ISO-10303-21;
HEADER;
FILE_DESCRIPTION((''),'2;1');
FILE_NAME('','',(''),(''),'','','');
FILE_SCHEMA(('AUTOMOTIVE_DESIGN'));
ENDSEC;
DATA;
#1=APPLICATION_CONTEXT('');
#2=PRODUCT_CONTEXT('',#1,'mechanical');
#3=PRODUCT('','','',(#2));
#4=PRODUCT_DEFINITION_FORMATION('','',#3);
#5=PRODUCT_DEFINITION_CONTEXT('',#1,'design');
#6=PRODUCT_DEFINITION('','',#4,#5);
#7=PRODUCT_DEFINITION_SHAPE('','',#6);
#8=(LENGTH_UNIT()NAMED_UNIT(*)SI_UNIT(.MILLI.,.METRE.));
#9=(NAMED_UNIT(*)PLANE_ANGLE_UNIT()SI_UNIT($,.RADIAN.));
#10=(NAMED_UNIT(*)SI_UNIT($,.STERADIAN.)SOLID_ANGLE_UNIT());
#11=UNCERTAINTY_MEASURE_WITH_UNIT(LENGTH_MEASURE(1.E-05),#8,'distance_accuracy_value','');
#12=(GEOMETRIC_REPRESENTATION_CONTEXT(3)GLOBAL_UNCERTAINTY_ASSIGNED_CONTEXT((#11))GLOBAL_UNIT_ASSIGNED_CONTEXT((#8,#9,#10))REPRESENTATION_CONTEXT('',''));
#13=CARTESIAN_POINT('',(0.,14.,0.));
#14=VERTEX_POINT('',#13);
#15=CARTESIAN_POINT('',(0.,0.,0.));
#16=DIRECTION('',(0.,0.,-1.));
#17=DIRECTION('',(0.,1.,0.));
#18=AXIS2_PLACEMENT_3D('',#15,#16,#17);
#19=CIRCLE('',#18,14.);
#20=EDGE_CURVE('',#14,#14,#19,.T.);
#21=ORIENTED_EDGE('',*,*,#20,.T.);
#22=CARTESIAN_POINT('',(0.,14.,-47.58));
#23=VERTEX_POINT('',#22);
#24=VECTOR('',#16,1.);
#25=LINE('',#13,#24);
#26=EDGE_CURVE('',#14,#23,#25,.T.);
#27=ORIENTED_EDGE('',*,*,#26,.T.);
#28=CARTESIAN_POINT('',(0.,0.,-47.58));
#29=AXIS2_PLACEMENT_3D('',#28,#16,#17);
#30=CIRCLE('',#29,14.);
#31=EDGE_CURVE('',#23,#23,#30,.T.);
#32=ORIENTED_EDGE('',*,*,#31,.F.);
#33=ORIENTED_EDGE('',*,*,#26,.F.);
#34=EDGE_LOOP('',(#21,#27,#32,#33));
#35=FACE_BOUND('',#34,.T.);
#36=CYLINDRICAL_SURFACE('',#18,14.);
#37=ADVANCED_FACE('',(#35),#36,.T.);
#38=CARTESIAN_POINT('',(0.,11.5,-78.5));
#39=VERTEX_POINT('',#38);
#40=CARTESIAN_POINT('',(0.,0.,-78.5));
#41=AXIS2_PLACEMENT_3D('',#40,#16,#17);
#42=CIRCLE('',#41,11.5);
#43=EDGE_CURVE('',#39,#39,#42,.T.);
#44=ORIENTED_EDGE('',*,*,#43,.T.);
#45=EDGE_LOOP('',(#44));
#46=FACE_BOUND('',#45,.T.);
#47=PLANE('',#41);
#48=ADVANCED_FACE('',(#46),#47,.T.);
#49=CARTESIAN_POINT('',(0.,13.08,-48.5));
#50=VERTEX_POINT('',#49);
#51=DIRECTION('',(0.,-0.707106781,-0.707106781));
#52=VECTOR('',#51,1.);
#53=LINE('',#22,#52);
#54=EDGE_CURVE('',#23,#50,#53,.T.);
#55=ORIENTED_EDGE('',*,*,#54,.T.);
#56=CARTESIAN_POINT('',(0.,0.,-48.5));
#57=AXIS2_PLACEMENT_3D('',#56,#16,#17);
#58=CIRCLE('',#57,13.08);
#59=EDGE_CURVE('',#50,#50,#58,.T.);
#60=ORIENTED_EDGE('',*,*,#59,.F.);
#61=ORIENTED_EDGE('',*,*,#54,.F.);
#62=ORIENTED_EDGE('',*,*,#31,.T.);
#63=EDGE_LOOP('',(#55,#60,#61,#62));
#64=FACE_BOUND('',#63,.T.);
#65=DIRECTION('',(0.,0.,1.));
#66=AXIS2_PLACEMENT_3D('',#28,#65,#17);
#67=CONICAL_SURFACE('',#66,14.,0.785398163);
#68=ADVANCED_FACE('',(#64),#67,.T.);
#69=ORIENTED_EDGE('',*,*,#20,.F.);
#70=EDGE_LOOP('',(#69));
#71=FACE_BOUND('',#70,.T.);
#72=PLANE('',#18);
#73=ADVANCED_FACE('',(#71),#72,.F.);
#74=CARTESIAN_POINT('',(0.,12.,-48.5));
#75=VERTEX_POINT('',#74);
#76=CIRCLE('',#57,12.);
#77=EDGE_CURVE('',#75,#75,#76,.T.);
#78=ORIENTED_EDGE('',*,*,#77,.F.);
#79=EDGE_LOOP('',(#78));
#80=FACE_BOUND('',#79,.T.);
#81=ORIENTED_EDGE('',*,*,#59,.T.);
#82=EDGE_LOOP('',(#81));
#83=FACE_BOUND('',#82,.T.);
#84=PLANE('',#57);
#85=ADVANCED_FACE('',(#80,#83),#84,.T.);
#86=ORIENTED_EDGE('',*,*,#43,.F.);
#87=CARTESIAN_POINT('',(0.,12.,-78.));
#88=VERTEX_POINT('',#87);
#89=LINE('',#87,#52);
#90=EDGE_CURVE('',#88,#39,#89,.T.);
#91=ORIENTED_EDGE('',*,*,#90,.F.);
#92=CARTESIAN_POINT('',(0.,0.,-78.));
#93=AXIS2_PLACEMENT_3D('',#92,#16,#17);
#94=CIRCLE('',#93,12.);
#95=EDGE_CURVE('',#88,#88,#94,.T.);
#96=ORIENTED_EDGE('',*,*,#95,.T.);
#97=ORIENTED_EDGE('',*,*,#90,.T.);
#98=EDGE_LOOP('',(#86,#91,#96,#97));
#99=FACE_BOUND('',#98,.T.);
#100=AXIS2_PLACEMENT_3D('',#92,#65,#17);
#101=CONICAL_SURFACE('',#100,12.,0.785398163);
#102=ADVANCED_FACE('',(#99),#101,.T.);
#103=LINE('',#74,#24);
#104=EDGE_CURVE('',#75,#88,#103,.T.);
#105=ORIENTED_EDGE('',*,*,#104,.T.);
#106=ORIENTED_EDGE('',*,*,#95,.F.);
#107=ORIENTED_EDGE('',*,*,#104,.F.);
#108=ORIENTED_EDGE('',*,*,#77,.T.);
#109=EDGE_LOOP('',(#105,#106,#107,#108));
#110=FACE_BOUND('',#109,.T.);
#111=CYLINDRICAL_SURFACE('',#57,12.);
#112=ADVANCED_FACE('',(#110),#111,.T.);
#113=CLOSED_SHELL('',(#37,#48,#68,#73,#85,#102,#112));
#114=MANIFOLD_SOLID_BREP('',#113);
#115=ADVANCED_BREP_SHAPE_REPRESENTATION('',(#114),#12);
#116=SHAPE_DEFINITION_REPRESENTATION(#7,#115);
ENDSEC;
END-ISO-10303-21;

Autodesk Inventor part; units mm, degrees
sketch "Sketch_1" plane through (0, 0, 0) normal (1, 0, 0) x (0, 1, 0)
  line L0 (0, -78.5) -> (0, 0)
  line L1 (0, 0) -> (14, 0)
  line L2 (14, 0) -> (14, -47.58)
  line L3 (14, -47.58) -> (13.08, -48.5)
  line L4 (13.08, -48.5) -> (12, -48.5)
  line L5 (12, -48.5) -> (12, -78)
  line L6 (12, -78) -> (11.5, -78.5)
  line L7 (11.5, -78.5) -> (0, -78.5)
  line L8 (0, -78.5) -> (0, 0)
revolve "Revolution1" add sketch "Sketch_1" angle 360 about axis through (0, 0, -78.5) along (0, 0, -1)
thread "Thread1" size "M28x1.5" class "6g" standard "ISO Metric profile" length 27.08
ref_plane "ANBAU_XY" through (0, 0, 0) normal (0, 0, 1) x (1, 0, 0)
ref_plane "ANBAU_YZ" through (0, 0, 0) normal (1, 0, 0) x (0, 1, 0)
ref_plane "ANBAU_ZX" through (0, 0, 0) normal (0, 1, 0) x (0, 0, 1)
properties part number "ESBF-BS-100-ESBF-BS-100---(KSA)"
